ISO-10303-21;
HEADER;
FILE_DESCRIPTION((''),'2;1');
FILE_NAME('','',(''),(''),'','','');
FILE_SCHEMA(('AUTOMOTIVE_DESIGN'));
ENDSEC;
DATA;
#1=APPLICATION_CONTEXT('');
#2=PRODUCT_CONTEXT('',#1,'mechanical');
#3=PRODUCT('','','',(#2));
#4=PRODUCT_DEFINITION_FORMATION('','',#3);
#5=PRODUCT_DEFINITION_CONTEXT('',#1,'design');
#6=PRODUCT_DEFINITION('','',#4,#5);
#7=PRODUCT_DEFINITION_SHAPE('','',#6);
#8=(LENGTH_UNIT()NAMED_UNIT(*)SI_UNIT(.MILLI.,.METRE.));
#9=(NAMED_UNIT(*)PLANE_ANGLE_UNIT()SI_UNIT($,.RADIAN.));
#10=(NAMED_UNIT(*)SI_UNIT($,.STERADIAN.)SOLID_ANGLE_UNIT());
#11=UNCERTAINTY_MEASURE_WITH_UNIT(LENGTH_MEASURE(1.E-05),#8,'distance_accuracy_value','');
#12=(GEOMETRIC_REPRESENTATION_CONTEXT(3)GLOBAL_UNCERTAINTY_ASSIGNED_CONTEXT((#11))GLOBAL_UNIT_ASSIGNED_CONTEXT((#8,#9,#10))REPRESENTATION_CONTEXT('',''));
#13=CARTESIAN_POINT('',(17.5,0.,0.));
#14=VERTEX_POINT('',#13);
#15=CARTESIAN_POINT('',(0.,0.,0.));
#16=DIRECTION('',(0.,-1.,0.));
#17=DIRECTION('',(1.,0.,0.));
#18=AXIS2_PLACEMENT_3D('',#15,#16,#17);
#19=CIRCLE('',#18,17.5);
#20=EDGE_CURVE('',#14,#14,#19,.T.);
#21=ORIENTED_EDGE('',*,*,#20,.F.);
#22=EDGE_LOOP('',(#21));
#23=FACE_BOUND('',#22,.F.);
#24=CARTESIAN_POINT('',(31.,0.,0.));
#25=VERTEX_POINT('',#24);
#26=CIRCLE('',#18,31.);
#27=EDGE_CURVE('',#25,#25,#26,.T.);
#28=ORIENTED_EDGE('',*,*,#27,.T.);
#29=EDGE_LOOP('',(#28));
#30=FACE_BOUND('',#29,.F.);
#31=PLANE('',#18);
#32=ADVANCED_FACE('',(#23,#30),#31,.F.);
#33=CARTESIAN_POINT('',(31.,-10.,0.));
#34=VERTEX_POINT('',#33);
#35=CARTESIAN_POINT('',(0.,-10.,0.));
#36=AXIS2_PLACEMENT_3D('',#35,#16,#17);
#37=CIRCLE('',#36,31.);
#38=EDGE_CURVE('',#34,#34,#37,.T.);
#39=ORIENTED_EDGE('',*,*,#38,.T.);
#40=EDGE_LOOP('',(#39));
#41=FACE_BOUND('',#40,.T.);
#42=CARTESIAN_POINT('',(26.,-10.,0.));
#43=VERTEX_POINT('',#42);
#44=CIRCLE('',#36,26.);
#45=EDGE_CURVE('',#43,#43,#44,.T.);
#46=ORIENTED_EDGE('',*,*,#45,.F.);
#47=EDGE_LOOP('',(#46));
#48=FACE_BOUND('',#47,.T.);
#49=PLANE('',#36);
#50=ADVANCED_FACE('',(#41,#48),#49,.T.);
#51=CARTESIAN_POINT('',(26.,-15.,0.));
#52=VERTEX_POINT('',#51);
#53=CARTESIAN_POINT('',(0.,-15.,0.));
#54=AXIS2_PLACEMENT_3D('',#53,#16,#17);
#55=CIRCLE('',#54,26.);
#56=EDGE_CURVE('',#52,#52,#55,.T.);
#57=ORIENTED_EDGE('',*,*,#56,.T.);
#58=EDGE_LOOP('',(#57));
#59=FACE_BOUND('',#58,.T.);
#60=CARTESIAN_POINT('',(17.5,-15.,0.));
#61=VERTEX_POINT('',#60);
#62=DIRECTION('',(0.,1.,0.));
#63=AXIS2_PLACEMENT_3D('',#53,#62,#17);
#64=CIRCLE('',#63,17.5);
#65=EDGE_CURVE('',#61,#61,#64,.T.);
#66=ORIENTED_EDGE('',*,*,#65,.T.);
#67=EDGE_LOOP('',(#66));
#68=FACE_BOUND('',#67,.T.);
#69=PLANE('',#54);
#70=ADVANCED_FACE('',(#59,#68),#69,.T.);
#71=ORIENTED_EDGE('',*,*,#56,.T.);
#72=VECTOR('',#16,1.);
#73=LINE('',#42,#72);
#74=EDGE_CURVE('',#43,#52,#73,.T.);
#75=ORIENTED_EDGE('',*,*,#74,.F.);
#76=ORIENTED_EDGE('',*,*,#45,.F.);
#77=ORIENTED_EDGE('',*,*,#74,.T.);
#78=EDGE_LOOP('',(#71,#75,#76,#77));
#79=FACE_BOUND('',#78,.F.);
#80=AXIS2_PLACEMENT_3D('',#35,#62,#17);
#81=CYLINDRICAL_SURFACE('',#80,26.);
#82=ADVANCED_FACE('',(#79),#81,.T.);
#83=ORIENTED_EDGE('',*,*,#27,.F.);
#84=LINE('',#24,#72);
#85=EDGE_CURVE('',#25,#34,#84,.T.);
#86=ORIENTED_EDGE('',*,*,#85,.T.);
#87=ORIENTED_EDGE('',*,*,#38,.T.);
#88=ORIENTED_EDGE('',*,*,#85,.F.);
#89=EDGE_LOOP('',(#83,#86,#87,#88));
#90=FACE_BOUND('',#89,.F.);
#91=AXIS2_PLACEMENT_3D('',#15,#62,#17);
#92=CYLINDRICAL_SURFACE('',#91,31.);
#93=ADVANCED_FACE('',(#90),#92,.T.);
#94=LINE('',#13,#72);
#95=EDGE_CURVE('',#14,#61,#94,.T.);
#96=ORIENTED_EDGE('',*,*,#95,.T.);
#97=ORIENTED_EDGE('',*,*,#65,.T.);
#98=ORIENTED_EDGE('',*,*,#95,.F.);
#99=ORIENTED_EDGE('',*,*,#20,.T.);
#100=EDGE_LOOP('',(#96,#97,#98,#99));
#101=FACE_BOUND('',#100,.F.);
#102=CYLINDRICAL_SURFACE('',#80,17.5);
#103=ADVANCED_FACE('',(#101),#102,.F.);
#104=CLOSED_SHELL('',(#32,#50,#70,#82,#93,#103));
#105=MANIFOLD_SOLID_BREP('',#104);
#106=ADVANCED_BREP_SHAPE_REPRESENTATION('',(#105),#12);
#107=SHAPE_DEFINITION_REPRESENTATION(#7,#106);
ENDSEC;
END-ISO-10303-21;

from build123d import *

# Parameters (mm, degrees)
F0_R      = 31
F0_R_2    = 17.5
F1_DEPTH  = 10
F2_R      = 26
F3_DEPTH  = 5
F3_FACE_R = 17.5
F4_DEPTH  = 25.4


with BuildPart() as f1:
    # F0 (on Front) → F1 (new body)
    with BuildSketch(Plane.XZ):
        Circle(F0_R)
        Circle(F0_R_2, mode=Mode.SUBTRACT)
    extrude(amount=F1_DEPTH)

    # F2 (on face) → F3 (join)
    with BuildSketch(Plane.XZ.offset(10)):
        Circle(F2_R)
    extrude(amount=F3_DEPTH)

    # F3_face (on face) → F4 (cut)
    with BuildSketch(Plane(origin=(0, -10, 0), x_dir=(1, 0, 0), z_dir=(0, 1, 0))):
        Circle(F3_FACE_R)
    extrude(amount=-F4_DEPTH, mode=Mode.SUBTRACT)


solid = f1.part
